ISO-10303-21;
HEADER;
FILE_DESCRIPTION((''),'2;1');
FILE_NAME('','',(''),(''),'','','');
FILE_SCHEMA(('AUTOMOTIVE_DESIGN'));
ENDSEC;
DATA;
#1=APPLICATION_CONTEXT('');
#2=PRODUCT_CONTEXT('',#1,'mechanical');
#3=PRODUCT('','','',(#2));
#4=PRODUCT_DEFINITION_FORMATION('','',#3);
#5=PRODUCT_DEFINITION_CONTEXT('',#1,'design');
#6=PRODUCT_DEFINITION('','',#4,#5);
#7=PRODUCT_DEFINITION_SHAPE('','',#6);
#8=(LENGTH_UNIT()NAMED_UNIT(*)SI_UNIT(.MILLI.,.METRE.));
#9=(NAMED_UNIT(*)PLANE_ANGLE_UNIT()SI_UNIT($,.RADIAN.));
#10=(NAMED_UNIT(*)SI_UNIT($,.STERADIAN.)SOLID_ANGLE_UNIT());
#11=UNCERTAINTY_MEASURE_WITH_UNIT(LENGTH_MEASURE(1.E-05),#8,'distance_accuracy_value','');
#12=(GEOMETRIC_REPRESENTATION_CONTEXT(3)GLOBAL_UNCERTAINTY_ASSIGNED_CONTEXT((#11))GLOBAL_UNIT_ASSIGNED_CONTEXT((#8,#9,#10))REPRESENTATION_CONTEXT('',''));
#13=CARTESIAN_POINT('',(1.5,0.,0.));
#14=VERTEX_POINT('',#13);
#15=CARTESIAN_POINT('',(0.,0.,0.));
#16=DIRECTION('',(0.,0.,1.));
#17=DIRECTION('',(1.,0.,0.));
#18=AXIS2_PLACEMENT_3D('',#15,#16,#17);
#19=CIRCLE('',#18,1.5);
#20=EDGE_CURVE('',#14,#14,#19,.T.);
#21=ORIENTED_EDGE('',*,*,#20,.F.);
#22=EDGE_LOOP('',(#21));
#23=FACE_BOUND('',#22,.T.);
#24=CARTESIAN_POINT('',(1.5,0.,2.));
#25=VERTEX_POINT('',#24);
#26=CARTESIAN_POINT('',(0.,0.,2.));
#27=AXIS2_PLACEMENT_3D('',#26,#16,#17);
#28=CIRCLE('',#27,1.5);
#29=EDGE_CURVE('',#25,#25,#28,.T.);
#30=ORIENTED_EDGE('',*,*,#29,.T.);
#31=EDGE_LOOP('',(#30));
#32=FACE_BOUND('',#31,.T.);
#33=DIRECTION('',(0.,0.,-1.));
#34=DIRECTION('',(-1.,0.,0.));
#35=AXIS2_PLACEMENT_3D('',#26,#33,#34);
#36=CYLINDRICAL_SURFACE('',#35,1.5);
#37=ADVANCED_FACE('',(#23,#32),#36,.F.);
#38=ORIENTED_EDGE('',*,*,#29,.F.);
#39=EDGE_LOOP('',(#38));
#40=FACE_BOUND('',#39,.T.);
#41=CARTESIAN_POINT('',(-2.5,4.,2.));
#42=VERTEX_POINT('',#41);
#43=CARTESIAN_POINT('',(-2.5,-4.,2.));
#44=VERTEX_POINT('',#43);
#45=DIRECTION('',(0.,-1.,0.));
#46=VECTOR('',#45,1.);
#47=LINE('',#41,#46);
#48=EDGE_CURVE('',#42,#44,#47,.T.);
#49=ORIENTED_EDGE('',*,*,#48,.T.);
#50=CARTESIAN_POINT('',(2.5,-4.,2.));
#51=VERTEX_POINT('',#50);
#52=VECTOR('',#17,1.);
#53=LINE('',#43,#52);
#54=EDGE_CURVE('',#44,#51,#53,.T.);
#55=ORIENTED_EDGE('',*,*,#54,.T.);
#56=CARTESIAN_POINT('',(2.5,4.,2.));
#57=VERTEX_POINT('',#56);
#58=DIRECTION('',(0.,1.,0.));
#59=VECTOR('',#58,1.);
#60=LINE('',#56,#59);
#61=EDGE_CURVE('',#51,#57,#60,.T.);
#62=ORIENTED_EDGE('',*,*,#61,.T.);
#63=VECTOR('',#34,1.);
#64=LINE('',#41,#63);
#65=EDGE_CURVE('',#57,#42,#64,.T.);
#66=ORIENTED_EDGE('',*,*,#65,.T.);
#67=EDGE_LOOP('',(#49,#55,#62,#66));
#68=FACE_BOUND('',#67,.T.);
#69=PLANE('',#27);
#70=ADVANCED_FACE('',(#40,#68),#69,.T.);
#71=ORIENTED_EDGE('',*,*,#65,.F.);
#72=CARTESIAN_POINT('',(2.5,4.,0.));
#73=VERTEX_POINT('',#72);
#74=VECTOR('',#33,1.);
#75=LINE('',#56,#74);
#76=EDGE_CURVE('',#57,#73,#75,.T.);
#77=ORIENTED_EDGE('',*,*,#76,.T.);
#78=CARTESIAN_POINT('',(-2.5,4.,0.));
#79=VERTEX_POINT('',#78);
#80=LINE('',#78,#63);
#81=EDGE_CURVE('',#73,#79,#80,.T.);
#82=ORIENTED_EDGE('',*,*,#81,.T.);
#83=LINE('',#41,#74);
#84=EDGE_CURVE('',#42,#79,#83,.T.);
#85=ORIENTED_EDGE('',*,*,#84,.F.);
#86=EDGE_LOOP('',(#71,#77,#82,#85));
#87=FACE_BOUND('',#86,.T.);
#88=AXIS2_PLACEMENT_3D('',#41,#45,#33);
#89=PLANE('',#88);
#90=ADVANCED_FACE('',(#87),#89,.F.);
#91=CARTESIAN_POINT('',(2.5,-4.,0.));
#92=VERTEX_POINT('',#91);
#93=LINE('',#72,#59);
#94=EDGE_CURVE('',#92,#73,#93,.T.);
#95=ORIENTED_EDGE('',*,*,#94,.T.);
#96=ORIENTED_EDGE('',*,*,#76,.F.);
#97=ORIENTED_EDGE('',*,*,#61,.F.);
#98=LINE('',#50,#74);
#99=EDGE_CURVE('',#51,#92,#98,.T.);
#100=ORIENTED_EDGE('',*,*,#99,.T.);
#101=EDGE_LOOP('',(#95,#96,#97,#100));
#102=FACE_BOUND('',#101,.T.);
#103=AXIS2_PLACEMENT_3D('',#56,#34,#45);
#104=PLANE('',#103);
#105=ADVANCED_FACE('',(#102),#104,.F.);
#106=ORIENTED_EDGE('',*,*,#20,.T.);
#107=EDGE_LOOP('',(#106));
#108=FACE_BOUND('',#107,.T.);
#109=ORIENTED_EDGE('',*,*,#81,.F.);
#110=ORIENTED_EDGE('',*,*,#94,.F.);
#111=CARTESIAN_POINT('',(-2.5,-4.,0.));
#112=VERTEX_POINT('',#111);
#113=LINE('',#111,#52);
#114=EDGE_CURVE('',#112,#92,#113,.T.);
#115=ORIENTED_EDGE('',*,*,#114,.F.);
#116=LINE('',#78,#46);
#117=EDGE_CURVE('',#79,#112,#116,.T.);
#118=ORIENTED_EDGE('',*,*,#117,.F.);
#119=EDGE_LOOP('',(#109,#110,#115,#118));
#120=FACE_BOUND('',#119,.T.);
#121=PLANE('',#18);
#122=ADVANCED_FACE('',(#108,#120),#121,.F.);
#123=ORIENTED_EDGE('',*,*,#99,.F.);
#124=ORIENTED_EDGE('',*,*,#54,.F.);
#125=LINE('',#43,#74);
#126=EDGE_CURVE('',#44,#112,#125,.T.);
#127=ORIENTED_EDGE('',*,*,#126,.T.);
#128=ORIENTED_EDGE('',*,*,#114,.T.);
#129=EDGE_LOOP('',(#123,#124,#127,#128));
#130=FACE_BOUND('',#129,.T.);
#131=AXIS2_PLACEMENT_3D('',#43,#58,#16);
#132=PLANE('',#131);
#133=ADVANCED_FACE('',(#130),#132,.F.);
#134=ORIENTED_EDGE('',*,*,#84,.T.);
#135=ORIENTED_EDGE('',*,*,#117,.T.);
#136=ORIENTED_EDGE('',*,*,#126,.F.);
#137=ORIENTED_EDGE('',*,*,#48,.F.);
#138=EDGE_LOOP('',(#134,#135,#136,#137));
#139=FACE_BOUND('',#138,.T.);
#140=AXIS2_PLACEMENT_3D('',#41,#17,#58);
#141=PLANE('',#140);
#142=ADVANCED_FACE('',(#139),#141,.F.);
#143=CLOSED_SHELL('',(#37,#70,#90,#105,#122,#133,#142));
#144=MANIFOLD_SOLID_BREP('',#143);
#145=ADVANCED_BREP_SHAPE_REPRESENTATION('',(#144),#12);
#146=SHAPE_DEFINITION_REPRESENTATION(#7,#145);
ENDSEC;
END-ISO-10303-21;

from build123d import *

# Parameters (mm, degrees)
ESBO_O1_W                = 5
ESBO_O1_H                = 8
ESBO_O1_R                = 1.5
RESSALTO_EXTRUS_O1_DEPTH = 2


with BuildPart() as part:
    # Esboço1 → Ressalto-extrusão1 (new body)
    with BuildSketch(Plane.XY):
        Rectangle(ESBO_O1_W, ESBO_O1_H)
        Circle(ESBO_O1_R, mode=Mode.SUBTRACT)
    extrude(amount=RESSALTO_EXTRUS_O1_DEPTH)


solid = part.part
